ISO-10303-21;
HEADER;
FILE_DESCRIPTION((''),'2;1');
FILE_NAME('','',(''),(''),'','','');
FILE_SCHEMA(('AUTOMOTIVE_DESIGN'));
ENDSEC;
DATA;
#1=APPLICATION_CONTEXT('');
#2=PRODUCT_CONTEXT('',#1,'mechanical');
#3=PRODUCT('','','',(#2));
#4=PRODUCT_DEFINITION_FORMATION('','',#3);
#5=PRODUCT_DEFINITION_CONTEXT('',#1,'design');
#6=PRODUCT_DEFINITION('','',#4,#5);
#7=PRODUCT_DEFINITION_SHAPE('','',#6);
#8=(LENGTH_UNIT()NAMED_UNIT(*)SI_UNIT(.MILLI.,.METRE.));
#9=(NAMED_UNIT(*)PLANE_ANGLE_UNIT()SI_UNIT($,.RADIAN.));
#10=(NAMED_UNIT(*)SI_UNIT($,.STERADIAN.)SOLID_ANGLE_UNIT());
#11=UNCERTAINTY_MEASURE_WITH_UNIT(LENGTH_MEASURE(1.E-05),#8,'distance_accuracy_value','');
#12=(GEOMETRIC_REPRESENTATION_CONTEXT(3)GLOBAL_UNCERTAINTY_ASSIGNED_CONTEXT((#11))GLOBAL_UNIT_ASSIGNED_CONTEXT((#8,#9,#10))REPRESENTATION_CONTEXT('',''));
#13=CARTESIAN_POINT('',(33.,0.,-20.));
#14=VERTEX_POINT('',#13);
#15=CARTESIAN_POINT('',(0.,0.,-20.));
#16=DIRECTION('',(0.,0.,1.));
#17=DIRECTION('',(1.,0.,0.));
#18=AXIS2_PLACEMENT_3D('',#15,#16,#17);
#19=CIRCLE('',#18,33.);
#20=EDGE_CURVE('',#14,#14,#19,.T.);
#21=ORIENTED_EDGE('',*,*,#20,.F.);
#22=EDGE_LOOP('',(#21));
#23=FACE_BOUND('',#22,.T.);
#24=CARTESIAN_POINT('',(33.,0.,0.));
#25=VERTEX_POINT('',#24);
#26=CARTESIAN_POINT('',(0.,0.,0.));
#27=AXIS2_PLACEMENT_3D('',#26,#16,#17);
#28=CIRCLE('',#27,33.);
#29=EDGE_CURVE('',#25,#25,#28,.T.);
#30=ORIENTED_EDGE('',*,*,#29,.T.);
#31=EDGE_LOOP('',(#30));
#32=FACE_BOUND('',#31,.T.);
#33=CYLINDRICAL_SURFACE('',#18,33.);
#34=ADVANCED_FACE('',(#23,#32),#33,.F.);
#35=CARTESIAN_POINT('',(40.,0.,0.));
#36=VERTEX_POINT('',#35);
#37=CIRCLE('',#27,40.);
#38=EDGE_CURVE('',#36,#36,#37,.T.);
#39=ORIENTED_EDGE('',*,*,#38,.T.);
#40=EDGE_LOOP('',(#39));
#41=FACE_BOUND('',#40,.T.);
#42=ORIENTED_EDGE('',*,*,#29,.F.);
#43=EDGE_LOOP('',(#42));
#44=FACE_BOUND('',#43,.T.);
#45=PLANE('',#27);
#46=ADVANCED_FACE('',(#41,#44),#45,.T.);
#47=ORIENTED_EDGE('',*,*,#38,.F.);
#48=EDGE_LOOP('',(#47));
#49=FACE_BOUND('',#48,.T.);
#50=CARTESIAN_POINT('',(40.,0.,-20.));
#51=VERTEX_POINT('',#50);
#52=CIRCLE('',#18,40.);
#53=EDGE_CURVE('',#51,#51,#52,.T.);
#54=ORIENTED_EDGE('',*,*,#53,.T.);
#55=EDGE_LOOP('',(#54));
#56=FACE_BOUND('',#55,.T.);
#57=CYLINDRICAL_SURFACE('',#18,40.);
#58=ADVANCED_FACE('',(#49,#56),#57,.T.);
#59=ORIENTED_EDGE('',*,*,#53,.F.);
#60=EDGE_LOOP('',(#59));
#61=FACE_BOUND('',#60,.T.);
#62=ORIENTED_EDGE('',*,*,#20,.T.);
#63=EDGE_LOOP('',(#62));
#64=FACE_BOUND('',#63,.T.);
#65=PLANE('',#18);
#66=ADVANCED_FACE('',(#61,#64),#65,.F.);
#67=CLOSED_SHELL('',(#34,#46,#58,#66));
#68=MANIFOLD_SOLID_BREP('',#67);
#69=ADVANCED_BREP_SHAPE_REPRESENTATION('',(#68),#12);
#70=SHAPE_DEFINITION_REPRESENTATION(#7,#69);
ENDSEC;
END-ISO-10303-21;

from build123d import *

# Parameters (mm, degrees)
SKETCH_1_R      = 40
SKETCH_1_R_2    = 33
EXTRUDE_1_DEPTH = 20


with BuildPart() as part:
    # 草图1 → 凸台-拉伸1 (new body)
    with BuildSketch(Plane.XY):
        Circle(SKETCH_1_R)
        Circle(SKETCH_1_R_2, mode=Mode.SUBTRACT)
    extrude(amount=-EXTRUDE_1_DEPTH)


solid = part.part
